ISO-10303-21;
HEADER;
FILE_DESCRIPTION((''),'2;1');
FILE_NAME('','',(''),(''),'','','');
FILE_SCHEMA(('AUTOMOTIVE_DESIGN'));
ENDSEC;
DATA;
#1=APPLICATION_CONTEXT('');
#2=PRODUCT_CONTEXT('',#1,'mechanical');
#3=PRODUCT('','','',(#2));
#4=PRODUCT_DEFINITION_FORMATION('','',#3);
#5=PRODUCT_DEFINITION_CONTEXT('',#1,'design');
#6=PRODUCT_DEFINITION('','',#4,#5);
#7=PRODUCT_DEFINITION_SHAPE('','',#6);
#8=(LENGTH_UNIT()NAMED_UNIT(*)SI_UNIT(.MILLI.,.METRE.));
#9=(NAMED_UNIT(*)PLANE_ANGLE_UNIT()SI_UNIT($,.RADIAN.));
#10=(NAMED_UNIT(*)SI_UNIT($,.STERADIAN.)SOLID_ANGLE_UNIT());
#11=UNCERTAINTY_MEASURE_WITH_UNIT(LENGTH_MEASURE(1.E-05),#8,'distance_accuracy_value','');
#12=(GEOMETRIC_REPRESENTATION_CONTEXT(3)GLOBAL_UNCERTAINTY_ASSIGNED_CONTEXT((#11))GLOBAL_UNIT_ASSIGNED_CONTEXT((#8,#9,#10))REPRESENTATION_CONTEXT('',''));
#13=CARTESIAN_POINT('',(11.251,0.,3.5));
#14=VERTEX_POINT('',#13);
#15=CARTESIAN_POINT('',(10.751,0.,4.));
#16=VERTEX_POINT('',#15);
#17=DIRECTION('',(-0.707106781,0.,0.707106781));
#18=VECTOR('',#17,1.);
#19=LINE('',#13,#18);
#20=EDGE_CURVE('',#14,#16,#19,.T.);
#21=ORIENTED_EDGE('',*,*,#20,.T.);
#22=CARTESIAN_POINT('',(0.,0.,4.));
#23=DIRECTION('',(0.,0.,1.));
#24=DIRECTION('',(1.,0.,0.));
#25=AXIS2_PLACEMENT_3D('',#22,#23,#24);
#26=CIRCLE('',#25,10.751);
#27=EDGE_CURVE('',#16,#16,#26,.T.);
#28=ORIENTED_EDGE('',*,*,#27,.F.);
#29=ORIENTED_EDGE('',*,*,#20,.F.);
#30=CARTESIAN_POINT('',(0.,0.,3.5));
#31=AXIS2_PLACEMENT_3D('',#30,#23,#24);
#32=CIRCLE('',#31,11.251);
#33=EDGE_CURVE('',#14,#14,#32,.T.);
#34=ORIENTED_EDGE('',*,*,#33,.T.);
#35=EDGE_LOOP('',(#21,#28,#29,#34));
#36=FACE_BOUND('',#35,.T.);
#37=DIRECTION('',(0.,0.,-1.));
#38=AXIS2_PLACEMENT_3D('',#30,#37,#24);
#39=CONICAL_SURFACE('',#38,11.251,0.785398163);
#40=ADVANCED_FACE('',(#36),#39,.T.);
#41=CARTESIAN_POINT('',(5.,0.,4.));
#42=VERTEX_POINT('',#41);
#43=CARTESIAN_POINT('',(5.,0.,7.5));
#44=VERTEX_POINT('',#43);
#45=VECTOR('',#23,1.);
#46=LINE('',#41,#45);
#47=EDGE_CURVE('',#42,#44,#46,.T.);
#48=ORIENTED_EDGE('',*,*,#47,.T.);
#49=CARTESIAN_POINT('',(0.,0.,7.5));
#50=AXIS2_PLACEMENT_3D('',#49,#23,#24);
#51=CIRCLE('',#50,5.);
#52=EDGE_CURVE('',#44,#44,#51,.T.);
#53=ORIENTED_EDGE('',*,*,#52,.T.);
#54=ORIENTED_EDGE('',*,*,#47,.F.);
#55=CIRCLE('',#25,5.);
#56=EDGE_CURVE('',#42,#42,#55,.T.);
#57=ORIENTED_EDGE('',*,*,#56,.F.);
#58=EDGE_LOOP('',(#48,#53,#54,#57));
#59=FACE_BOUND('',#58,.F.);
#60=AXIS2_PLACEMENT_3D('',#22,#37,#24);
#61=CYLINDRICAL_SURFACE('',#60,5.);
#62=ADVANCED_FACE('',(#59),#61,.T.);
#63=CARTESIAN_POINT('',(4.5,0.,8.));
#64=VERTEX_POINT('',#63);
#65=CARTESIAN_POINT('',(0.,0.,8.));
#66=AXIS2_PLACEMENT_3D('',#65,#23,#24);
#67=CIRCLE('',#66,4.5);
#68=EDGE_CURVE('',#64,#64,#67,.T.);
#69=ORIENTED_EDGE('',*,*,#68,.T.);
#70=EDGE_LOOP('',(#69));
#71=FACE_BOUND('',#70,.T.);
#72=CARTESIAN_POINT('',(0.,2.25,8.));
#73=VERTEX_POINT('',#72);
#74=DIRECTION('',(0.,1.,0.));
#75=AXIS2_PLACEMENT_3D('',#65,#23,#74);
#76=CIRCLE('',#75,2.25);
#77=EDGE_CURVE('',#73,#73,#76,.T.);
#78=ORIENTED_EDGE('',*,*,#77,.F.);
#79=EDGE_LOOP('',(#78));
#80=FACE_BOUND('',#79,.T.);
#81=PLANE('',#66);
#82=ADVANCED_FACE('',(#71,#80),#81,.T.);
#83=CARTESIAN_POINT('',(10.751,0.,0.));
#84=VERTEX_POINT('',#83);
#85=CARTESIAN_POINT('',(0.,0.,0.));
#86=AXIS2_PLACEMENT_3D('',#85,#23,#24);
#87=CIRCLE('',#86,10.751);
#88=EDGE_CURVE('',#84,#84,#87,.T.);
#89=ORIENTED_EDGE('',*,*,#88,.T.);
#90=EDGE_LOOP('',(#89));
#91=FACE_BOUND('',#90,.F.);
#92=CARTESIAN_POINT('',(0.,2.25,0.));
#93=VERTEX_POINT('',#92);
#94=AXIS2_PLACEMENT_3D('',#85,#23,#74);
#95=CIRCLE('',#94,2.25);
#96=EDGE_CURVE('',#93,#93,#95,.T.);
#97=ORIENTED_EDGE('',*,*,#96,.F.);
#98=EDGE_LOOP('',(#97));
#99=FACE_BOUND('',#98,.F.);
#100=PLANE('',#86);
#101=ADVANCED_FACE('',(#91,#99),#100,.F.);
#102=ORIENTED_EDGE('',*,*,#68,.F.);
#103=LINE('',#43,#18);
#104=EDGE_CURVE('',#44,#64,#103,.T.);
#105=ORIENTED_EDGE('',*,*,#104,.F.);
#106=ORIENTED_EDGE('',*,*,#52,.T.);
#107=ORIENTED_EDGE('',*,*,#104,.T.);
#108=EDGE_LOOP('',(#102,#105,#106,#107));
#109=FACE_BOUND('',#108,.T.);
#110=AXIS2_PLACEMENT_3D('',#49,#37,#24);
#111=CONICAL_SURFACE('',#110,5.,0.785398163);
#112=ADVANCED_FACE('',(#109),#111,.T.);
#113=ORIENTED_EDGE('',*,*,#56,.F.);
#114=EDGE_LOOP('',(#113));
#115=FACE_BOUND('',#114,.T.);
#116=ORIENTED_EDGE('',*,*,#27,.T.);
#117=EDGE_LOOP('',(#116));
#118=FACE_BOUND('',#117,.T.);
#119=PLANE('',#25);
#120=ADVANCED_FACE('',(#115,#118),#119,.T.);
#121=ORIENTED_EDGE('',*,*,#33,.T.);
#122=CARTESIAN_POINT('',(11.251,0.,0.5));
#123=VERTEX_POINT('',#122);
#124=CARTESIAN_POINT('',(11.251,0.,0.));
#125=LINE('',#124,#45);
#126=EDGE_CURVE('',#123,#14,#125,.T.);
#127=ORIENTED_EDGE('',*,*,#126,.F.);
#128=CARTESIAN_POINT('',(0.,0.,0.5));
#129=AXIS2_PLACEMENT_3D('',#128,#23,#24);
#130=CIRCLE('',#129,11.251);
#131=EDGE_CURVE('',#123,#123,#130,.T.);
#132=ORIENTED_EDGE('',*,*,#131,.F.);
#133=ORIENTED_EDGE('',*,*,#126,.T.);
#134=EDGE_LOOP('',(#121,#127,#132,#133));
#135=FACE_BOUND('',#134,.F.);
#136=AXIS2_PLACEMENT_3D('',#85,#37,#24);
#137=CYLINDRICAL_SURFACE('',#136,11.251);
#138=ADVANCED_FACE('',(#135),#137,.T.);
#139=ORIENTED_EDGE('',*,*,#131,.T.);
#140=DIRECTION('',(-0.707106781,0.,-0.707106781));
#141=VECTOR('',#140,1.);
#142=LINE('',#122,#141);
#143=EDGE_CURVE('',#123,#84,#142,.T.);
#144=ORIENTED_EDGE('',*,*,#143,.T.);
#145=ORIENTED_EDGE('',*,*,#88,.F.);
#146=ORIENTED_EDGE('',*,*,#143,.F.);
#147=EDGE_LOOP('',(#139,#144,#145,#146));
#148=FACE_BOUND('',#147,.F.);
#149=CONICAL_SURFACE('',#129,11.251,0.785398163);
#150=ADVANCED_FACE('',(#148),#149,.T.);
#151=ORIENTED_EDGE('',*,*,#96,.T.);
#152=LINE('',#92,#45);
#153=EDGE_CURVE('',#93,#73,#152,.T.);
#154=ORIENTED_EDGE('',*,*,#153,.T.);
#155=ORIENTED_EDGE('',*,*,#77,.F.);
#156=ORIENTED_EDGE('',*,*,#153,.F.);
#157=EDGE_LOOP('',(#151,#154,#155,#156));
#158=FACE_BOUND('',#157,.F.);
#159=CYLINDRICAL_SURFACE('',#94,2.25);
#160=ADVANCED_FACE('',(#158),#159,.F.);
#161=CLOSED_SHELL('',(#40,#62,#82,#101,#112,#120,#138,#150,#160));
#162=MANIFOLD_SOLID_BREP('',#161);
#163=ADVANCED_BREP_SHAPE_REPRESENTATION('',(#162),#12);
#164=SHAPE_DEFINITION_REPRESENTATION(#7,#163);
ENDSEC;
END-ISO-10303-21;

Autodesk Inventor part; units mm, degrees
ref_plane "YZ Plane" through (0, 0, 0) normal (1, 0, 0) x (0, 1, 0)
ref_plane "XZ Plane" through (0, 0, 0) normal (0, 1, 0) x (-1, 0, 0)
ref_plane "XY Plane" through (0, 0, 0) normal (0, 0, 1) x (1, 0, 0)
sketch "Sketch5" plane through (0, 0, 0) normal (0, 0, 1) x (1, 0, 0)
  circle A0 centre (0, 0) radius 11.251
  dimension "d8" = 22.502
extrude "Extrusion5" add sketch "Sketch5" along normal blind 4
sketch "Sketch6" plane through (0, 0, 4) normal (0, 0, 1) x (1, 0, 0)
  circle A0 centre (0, 0) radius 11.251 projected
  circle A1 centre (0, 0) radius 5
  dimension "d15" = 10
extrude "Extrusion6" add sketch "Sketch6" along normal blind 4 contours A1
hole "Hole1" at (0, 0, 0) direction (0, 0, 1) diameter 4.5 end through all
chamfer "Chamfer2" distance 0.5 angle 45 3 edges at (-11.251, 0, 0) (-11.251, 0, 4) (-5, 0, 8)
properties part number "BC-10011" material "Aço Inox AISI 304"
